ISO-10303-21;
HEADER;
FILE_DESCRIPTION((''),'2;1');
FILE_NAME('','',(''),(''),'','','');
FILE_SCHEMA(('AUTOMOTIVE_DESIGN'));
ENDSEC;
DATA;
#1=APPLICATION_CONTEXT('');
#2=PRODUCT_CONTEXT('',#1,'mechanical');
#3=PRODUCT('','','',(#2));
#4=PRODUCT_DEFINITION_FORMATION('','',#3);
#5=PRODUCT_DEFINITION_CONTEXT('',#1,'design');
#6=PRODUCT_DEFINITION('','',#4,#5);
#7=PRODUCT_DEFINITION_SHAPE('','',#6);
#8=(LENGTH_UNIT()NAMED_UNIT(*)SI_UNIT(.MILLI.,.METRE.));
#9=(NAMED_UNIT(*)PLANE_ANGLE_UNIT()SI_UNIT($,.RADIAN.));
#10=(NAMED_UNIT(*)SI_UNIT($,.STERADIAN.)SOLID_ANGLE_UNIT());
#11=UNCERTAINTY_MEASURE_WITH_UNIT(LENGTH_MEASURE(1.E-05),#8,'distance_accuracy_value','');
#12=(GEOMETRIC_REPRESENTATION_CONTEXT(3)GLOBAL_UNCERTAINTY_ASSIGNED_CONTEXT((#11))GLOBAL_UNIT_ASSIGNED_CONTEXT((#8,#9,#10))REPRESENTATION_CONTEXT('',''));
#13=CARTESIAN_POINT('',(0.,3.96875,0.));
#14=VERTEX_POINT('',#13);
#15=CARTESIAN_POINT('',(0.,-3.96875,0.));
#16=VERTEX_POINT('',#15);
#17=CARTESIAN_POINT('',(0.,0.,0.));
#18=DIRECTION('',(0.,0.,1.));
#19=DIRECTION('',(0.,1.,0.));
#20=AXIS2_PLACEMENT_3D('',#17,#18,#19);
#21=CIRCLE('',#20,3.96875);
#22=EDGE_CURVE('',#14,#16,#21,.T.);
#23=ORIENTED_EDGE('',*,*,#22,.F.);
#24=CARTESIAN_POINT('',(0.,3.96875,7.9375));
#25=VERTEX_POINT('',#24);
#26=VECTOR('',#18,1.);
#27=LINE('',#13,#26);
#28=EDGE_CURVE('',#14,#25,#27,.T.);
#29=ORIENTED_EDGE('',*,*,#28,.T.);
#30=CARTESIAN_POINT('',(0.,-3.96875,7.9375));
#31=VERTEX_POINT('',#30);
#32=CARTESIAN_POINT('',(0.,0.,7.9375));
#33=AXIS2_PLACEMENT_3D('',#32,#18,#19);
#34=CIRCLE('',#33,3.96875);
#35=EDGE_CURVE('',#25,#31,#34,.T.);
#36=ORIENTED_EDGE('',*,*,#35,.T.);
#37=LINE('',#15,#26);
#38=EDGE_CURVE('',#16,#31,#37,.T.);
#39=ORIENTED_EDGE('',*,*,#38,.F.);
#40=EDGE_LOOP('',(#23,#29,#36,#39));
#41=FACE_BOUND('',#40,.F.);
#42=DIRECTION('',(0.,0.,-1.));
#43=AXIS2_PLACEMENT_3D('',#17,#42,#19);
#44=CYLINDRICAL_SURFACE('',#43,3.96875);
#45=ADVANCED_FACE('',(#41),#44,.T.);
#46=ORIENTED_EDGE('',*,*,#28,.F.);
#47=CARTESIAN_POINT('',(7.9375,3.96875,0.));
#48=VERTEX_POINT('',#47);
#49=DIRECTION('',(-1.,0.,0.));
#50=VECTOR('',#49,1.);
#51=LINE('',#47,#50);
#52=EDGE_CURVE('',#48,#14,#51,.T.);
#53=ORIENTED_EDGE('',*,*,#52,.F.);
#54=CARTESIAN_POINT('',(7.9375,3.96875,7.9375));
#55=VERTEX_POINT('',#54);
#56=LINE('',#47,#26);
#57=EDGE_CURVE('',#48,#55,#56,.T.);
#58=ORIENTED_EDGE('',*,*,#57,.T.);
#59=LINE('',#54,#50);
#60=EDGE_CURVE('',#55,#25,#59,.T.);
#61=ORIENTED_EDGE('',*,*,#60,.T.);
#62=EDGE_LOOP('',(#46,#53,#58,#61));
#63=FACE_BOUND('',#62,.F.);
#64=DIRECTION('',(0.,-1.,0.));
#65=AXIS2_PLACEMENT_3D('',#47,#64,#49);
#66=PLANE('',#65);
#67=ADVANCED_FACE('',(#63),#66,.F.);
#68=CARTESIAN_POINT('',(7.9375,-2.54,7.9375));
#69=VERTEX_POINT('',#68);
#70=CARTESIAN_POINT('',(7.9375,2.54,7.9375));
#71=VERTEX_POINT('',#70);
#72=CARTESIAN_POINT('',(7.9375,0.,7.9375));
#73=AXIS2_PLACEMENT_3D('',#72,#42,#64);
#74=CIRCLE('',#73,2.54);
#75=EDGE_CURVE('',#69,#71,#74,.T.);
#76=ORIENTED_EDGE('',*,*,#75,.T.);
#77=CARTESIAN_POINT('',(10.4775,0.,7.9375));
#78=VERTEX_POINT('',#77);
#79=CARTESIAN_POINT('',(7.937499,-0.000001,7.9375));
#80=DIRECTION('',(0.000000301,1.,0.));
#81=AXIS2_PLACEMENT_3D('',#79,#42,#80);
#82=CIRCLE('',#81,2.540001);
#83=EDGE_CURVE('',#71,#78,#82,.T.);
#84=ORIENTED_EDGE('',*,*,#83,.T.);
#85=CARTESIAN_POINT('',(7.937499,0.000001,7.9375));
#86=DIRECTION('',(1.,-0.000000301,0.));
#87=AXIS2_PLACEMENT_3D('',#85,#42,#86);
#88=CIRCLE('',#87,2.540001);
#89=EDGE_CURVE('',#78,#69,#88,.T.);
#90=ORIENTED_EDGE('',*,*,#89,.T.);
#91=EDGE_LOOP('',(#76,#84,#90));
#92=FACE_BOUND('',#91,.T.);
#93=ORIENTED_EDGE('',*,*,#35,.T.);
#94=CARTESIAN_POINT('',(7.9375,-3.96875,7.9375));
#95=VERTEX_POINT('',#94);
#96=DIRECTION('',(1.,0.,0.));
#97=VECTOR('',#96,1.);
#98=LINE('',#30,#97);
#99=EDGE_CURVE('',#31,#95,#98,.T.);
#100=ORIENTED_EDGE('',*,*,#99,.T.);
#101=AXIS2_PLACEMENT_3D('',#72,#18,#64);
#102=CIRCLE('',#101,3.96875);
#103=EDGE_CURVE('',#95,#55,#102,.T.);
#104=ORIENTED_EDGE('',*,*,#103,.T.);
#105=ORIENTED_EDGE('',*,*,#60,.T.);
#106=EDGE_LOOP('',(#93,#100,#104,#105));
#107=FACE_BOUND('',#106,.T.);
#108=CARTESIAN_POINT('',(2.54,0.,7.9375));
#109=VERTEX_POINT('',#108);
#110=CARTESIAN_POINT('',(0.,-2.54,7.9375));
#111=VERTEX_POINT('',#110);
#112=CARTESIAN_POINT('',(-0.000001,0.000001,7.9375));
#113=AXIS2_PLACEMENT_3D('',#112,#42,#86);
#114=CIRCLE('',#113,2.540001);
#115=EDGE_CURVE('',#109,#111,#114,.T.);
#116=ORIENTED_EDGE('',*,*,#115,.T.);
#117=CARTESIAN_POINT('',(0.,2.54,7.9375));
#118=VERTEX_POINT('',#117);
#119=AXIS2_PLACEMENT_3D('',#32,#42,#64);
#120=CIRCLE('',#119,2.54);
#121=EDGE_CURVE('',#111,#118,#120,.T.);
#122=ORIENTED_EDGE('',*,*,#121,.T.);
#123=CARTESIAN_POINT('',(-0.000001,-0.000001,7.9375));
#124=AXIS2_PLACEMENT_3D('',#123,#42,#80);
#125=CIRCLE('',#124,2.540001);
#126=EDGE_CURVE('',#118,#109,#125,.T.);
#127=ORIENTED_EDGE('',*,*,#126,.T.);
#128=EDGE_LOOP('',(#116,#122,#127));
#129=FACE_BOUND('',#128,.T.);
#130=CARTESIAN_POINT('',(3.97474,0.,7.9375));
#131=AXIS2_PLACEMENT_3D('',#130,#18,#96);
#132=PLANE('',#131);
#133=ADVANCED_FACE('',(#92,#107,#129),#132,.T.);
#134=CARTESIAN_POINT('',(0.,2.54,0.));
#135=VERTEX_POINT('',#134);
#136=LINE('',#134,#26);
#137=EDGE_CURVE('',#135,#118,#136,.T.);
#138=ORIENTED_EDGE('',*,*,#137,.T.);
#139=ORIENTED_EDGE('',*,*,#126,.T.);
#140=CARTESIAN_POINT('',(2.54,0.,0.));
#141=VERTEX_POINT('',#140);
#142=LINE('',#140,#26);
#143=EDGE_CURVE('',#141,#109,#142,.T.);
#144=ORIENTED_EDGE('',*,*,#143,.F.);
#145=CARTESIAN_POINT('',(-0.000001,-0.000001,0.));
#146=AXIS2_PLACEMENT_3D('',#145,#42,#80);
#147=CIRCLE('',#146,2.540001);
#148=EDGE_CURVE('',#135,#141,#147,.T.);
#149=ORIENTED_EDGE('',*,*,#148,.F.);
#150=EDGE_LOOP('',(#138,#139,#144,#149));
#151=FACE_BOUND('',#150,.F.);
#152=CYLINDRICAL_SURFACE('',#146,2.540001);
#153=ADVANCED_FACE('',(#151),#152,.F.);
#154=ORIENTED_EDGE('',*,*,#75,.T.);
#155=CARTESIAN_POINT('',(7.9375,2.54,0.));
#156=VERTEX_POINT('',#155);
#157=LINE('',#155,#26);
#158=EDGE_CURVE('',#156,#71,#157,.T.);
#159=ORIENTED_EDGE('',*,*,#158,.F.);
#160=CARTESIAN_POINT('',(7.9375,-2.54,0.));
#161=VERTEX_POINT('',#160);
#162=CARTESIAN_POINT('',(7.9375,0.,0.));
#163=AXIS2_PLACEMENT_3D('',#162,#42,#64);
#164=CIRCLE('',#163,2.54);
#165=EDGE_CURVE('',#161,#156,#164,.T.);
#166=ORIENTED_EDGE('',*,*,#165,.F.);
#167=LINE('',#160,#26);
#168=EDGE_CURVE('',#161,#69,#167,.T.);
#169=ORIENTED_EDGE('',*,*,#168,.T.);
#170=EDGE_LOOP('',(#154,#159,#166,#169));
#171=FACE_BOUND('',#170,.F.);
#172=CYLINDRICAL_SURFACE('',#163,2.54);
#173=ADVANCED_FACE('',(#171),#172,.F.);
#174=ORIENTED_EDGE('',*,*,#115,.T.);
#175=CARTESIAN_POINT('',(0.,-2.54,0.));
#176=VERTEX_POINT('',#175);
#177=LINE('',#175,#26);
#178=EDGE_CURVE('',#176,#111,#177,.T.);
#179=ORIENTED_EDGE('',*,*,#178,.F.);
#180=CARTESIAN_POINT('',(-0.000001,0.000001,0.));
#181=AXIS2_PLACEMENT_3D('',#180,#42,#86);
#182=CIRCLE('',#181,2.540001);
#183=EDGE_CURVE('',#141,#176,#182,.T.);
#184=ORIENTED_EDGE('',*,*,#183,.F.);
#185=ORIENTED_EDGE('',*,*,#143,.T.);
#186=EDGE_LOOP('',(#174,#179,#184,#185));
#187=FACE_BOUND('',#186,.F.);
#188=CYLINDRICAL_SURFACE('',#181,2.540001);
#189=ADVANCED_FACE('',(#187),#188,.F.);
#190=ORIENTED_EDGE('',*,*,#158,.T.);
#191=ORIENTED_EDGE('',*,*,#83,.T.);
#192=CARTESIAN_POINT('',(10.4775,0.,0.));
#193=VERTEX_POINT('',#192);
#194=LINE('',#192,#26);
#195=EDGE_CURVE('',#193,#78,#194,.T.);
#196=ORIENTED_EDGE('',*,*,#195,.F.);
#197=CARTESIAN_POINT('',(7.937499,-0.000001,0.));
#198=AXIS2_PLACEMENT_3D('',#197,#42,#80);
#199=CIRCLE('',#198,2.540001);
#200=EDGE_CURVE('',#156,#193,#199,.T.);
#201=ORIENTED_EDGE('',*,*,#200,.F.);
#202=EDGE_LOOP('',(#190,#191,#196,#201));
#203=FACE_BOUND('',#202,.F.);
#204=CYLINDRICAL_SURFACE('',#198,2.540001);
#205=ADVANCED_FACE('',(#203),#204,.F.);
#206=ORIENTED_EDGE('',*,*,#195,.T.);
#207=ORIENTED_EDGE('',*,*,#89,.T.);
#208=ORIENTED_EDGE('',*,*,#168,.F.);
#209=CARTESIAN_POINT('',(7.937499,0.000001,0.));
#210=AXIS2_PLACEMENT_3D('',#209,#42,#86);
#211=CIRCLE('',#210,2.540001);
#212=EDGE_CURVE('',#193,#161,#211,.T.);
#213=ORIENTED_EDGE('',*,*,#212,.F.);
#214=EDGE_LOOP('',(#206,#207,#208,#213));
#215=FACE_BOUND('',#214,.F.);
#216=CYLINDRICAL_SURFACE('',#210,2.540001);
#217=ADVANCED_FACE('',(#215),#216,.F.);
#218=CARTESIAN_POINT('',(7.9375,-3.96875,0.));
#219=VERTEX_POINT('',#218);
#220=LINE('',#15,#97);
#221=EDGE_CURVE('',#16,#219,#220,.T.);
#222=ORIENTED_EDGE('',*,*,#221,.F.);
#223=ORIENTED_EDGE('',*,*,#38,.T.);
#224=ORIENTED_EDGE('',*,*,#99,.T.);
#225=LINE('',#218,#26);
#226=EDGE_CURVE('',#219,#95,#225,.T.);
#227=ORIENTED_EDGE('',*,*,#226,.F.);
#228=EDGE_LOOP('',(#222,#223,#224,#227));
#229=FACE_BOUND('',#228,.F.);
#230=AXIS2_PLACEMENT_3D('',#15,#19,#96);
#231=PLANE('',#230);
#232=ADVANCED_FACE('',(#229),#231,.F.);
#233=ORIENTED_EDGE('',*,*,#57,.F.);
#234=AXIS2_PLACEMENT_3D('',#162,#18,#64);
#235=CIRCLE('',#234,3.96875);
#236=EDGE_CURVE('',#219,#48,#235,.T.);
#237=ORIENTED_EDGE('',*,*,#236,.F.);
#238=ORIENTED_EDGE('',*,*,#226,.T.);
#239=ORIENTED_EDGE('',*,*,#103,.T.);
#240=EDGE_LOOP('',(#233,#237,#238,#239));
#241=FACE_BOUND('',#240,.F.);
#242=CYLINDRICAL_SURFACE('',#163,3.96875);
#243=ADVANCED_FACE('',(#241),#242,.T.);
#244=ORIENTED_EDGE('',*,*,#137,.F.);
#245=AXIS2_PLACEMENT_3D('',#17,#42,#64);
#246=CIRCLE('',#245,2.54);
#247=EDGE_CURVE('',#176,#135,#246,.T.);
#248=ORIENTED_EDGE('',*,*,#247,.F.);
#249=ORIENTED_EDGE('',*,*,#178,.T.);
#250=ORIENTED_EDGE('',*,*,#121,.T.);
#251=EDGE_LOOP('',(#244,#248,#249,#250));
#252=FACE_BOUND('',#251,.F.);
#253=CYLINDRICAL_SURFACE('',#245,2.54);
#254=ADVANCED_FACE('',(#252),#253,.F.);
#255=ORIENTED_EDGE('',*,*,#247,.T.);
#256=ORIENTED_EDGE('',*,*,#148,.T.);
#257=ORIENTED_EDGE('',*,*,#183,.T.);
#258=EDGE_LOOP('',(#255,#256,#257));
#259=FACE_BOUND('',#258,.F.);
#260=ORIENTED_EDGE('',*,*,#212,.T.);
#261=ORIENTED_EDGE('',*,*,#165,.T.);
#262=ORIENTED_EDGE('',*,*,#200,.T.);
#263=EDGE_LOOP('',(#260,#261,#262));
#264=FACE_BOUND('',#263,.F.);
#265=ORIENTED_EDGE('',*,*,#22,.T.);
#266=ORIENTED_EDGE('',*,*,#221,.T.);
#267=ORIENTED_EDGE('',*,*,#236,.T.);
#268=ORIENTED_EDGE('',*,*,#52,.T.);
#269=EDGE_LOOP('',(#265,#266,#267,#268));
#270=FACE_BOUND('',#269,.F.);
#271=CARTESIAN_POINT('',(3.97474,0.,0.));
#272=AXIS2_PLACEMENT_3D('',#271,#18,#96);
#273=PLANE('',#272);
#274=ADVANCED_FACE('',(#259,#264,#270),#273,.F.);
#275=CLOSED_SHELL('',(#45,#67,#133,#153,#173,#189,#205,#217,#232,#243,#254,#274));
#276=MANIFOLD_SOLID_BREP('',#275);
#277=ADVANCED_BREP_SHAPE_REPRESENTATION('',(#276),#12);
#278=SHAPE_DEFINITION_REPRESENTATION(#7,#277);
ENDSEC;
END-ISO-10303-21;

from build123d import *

# Parameters (mm, degrees)
F1_DEPTH = 7.9375


with BuildPart() as f1:
    # F0 (on Top) → F1 (new body)
    with BuildSketch(Plane.XY):
        with BuildLine():
            Line((7.9375, 3.96875), (0, 3.96875))
            Line((0, 3.96875), (0, 2.54))
            ThreePointArc((0, 2.54), (1.796051, 1.796051), (2.54, 0))
            ThreePointArc((2.54, 0), (1.796051, -1.796051), (0, -2.54))
            Line((0, -2.54), (0, -3.96875))
            Line((0, -3.96875), (7.9375, -3.96875))
            Line((7.9375, -3.96875), (7.9375, -2.54))
            ThreePointArc((7.9375, -2.54), (5.3975, 0), (7.9375, 2.54))
            Line((7.9375, 2.54), (7.9375, 3.96875))
        make_face()
        with BuildLine():
            Line((0, 2.54), (0, 3.96875))
            ThreePointArc((0, 3.96875), (-3.96875, 0), (0, -3.96875))
            Line((0, -3.96875), (0, -2.54))
            ThreePointArc((0, -2.54), (-2.54, 0), (0, 2.54))
        make_face()
        with BuildLine():
            ThreePointArc((7.9375, -3.96875), (11.90625, 0), (7.9375, 3.96875))
            Line((7.9375, 3.96875), (7.9375, 2.54))
            ThreePointArc((7.9375, 2.54), (9.733551, 1.796051), (10.4775, 0))
            ThreePointArc((10.4775, 0), (9.733551, -1.796051), (7.9375, -2.54))
            Line((7.9375, -2.54), (7.9375, -3.96875))
        make_face()
    extrude(amount=F1_DEPTH)


solid = f1.part
